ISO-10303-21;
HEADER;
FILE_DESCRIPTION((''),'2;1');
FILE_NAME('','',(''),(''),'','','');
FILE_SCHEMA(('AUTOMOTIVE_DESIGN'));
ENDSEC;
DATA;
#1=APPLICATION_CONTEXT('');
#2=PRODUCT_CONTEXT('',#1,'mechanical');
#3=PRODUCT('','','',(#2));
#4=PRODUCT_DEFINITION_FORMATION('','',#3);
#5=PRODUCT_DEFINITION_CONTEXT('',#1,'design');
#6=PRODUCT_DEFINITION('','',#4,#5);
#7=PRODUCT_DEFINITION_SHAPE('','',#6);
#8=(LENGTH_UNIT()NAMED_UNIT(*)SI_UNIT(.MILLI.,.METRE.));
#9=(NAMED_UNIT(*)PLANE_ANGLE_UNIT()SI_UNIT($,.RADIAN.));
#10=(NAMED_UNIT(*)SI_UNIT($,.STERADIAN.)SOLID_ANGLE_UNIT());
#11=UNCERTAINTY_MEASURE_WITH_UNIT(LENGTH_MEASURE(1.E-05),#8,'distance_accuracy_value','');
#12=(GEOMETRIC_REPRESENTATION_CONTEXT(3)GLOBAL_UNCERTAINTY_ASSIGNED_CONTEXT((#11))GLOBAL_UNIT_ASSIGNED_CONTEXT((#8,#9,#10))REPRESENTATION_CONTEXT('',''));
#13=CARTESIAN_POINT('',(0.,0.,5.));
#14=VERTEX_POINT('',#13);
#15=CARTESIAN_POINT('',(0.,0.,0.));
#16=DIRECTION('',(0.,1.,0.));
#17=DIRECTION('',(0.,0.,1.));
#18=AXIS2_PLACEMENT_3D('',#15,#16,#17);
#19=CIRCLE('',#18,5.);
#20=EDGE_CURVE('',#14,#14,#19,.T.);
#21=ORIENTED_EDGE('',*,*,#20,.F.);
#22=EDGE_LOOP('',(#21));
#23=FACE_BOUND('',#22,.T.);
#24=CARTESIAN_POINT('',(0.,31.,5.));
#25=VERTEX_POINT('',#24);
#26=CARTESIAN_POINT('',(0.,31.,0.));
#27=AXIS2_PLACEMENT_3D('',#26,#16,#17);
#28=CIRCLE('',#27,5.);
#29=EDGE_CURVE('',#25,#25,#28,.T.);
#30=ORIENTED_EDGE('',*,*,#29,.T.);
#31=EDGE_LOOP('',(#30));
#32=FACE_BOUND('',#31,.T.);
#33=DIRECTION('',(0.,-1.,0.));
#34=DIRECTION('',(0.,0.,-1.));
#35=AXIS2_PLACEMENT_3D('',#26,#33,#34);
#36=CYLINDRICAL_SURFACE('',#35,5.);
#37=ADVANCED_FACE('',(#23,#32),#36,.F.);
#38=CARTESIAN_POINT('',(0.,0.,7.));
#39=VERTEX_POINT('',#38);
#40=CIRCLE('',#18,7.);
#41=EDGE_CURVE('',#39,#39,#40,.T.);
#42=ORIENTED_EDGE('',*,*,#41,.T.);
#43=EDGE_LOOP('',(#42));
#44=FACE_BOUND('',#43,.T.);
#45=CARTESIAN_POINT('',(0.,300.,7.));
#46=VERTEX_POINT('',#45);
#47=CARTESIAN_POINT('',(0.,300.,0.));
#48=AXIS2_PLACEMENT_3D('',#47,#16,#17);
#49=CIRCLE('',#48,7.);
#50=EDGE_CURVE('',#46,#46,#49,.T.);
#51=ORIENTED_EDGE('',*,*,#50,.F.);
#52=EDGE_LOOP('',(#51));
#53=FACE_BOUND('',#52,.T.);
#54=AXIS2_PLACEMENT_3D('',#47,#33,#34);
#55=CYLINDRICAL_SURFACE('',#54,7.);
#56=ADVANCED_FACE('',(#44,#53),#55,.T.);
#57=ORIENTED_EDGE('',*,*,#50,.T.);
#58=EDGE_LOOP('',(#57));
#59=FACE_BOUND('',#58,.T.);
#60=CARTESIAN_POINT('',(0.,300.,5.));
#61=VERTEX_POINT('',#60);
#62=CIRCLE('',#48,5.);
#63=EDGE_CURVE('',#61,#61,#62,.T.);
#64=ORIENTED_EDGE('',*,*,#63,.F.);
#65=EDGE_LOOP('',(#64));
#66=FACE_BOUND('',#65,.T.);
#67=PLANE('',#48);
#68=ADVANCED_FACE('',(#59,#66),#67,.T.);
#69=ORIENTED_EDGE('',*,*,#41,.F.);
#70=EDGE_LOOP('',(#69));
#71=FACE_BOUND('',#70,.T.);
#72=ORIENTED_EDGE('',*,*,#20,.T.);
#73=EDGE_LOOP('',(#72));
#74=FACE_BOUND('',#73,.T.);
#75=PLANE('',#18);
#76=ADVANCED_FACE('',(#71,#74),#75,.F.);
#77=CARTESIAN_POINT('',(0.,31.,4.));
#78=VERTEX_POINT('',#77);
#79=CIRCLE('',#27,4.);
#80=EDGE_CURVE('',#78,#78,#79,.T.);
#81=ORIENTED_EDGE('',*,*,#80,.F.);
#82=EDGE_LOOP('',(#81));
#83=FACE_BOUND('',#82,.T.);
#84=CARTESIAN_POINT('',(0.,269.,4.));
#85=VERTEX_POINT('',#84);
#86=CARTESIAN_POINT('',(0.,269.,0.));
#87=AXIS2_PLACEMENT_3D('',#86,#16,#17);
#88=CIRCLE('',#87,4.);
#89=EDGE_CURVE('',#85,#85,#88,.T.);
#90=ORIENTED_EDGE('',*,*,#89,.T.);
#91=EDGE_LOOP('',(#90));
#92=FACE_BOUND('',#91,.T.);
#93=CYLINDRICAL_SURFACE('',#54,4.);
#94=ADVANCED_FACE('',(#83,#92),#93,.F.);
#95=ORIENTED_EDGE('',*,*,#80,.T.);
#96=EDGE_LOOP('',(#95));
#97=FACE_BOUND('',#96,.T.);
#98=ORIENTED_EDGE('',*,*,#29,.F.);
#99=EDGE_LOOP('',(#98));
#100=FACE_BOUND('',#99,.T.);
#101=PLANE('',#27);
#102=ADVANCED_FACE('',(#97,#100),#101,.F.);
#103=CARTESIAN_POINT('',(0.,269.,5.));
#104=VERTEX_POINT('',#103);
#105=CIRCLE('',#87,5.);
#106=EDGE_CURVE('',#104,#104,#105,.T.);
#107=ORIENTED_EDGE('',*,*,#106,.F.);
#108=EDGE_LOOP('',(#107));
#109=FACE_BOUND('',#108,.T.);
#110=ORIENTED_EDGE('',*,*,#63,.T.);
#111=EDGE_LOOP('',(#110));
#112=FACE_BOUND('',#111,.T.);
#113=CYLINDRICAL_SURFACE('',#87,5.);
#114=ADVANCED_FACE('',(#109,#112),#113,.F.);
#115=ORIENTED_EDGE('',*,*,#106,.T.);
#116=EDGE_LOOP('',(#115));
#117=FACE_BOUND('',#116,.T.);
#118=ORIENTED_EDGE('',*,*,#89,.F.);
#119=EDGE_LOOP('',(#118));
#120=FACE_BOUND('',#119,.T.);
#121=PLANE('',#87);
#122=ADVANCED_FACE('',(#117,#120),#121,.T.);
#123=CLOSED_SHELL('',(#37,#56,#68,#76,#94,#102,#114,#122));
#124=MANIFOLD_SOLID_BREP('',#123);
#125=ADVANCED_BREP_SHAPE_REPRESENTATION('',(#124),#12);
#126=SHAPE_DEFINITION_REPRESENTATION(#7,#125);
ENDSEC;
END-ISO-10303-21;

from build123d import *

# Parameters (mm, degrees)
SKETCH1_R           = 7
SKETCH1_R_2         = 4
BOSS_EXTRUDE1_DEPTH = 300
SKETCH2_R           = 5
CUT_EXTRUDE1_DEPTH  = 31
CUT_EXTRUDE2_START  = -269
SKETCH2_2_R         = 5
CUT_EXTRUDE2_DEPTH  = 31


with BuildPart() as part:
    # Sketch1 → Boss-Extrude1 (new body)
    with BuildSketch(Plane(origin=(0, 0, 0), x_dir=(1, 0, 0), z_dir=(0, 1, 0))):
        with Locations(Location((0, 0, 0), (0, 0, 270))):
            Circle(SKETCH1_R)
        with Locations(Location((0, 0, 0), (0, 0, 270))):
            Circle(SKETCH1_R_2, mode=Mode.SUBTRACT)
    extrude(amount=BOSS_EXTRUDE1_DEPTH)

    # Sketch2 → Cut-Extrude1 (cut)
    with BuildSketch(Plane(origin=(0, 300, 0), x_dir=(1, 0, 0), z_dir=(0, 1, 0))):
        with Locations(Location((0, 0, 0), (0, 0, 270))):
            Circle(SKETCH2_R)
    extrude(amount=-CUT_EXTRUDE1_DEPTH, mode=Mode.SUBTRACT)

    # Sketch2<2> → Cut-Extrude2 (cut)
    with BuildSketch(Plane(origin=(0, 300, 0), x_dir=(1, 0, 0), z_dir=(0, 1, 0)).offset(CUT_EXTRUDE2_START)):
        with Locations(Location((0, 0, 0), (0, 0, 270))):
            Circle(SKETCH2_2_R)
    extrude(amount=-CUT_EXTRUDE2_DEPTH, mode=Mode.SUBTRACT)


solid = part.part
